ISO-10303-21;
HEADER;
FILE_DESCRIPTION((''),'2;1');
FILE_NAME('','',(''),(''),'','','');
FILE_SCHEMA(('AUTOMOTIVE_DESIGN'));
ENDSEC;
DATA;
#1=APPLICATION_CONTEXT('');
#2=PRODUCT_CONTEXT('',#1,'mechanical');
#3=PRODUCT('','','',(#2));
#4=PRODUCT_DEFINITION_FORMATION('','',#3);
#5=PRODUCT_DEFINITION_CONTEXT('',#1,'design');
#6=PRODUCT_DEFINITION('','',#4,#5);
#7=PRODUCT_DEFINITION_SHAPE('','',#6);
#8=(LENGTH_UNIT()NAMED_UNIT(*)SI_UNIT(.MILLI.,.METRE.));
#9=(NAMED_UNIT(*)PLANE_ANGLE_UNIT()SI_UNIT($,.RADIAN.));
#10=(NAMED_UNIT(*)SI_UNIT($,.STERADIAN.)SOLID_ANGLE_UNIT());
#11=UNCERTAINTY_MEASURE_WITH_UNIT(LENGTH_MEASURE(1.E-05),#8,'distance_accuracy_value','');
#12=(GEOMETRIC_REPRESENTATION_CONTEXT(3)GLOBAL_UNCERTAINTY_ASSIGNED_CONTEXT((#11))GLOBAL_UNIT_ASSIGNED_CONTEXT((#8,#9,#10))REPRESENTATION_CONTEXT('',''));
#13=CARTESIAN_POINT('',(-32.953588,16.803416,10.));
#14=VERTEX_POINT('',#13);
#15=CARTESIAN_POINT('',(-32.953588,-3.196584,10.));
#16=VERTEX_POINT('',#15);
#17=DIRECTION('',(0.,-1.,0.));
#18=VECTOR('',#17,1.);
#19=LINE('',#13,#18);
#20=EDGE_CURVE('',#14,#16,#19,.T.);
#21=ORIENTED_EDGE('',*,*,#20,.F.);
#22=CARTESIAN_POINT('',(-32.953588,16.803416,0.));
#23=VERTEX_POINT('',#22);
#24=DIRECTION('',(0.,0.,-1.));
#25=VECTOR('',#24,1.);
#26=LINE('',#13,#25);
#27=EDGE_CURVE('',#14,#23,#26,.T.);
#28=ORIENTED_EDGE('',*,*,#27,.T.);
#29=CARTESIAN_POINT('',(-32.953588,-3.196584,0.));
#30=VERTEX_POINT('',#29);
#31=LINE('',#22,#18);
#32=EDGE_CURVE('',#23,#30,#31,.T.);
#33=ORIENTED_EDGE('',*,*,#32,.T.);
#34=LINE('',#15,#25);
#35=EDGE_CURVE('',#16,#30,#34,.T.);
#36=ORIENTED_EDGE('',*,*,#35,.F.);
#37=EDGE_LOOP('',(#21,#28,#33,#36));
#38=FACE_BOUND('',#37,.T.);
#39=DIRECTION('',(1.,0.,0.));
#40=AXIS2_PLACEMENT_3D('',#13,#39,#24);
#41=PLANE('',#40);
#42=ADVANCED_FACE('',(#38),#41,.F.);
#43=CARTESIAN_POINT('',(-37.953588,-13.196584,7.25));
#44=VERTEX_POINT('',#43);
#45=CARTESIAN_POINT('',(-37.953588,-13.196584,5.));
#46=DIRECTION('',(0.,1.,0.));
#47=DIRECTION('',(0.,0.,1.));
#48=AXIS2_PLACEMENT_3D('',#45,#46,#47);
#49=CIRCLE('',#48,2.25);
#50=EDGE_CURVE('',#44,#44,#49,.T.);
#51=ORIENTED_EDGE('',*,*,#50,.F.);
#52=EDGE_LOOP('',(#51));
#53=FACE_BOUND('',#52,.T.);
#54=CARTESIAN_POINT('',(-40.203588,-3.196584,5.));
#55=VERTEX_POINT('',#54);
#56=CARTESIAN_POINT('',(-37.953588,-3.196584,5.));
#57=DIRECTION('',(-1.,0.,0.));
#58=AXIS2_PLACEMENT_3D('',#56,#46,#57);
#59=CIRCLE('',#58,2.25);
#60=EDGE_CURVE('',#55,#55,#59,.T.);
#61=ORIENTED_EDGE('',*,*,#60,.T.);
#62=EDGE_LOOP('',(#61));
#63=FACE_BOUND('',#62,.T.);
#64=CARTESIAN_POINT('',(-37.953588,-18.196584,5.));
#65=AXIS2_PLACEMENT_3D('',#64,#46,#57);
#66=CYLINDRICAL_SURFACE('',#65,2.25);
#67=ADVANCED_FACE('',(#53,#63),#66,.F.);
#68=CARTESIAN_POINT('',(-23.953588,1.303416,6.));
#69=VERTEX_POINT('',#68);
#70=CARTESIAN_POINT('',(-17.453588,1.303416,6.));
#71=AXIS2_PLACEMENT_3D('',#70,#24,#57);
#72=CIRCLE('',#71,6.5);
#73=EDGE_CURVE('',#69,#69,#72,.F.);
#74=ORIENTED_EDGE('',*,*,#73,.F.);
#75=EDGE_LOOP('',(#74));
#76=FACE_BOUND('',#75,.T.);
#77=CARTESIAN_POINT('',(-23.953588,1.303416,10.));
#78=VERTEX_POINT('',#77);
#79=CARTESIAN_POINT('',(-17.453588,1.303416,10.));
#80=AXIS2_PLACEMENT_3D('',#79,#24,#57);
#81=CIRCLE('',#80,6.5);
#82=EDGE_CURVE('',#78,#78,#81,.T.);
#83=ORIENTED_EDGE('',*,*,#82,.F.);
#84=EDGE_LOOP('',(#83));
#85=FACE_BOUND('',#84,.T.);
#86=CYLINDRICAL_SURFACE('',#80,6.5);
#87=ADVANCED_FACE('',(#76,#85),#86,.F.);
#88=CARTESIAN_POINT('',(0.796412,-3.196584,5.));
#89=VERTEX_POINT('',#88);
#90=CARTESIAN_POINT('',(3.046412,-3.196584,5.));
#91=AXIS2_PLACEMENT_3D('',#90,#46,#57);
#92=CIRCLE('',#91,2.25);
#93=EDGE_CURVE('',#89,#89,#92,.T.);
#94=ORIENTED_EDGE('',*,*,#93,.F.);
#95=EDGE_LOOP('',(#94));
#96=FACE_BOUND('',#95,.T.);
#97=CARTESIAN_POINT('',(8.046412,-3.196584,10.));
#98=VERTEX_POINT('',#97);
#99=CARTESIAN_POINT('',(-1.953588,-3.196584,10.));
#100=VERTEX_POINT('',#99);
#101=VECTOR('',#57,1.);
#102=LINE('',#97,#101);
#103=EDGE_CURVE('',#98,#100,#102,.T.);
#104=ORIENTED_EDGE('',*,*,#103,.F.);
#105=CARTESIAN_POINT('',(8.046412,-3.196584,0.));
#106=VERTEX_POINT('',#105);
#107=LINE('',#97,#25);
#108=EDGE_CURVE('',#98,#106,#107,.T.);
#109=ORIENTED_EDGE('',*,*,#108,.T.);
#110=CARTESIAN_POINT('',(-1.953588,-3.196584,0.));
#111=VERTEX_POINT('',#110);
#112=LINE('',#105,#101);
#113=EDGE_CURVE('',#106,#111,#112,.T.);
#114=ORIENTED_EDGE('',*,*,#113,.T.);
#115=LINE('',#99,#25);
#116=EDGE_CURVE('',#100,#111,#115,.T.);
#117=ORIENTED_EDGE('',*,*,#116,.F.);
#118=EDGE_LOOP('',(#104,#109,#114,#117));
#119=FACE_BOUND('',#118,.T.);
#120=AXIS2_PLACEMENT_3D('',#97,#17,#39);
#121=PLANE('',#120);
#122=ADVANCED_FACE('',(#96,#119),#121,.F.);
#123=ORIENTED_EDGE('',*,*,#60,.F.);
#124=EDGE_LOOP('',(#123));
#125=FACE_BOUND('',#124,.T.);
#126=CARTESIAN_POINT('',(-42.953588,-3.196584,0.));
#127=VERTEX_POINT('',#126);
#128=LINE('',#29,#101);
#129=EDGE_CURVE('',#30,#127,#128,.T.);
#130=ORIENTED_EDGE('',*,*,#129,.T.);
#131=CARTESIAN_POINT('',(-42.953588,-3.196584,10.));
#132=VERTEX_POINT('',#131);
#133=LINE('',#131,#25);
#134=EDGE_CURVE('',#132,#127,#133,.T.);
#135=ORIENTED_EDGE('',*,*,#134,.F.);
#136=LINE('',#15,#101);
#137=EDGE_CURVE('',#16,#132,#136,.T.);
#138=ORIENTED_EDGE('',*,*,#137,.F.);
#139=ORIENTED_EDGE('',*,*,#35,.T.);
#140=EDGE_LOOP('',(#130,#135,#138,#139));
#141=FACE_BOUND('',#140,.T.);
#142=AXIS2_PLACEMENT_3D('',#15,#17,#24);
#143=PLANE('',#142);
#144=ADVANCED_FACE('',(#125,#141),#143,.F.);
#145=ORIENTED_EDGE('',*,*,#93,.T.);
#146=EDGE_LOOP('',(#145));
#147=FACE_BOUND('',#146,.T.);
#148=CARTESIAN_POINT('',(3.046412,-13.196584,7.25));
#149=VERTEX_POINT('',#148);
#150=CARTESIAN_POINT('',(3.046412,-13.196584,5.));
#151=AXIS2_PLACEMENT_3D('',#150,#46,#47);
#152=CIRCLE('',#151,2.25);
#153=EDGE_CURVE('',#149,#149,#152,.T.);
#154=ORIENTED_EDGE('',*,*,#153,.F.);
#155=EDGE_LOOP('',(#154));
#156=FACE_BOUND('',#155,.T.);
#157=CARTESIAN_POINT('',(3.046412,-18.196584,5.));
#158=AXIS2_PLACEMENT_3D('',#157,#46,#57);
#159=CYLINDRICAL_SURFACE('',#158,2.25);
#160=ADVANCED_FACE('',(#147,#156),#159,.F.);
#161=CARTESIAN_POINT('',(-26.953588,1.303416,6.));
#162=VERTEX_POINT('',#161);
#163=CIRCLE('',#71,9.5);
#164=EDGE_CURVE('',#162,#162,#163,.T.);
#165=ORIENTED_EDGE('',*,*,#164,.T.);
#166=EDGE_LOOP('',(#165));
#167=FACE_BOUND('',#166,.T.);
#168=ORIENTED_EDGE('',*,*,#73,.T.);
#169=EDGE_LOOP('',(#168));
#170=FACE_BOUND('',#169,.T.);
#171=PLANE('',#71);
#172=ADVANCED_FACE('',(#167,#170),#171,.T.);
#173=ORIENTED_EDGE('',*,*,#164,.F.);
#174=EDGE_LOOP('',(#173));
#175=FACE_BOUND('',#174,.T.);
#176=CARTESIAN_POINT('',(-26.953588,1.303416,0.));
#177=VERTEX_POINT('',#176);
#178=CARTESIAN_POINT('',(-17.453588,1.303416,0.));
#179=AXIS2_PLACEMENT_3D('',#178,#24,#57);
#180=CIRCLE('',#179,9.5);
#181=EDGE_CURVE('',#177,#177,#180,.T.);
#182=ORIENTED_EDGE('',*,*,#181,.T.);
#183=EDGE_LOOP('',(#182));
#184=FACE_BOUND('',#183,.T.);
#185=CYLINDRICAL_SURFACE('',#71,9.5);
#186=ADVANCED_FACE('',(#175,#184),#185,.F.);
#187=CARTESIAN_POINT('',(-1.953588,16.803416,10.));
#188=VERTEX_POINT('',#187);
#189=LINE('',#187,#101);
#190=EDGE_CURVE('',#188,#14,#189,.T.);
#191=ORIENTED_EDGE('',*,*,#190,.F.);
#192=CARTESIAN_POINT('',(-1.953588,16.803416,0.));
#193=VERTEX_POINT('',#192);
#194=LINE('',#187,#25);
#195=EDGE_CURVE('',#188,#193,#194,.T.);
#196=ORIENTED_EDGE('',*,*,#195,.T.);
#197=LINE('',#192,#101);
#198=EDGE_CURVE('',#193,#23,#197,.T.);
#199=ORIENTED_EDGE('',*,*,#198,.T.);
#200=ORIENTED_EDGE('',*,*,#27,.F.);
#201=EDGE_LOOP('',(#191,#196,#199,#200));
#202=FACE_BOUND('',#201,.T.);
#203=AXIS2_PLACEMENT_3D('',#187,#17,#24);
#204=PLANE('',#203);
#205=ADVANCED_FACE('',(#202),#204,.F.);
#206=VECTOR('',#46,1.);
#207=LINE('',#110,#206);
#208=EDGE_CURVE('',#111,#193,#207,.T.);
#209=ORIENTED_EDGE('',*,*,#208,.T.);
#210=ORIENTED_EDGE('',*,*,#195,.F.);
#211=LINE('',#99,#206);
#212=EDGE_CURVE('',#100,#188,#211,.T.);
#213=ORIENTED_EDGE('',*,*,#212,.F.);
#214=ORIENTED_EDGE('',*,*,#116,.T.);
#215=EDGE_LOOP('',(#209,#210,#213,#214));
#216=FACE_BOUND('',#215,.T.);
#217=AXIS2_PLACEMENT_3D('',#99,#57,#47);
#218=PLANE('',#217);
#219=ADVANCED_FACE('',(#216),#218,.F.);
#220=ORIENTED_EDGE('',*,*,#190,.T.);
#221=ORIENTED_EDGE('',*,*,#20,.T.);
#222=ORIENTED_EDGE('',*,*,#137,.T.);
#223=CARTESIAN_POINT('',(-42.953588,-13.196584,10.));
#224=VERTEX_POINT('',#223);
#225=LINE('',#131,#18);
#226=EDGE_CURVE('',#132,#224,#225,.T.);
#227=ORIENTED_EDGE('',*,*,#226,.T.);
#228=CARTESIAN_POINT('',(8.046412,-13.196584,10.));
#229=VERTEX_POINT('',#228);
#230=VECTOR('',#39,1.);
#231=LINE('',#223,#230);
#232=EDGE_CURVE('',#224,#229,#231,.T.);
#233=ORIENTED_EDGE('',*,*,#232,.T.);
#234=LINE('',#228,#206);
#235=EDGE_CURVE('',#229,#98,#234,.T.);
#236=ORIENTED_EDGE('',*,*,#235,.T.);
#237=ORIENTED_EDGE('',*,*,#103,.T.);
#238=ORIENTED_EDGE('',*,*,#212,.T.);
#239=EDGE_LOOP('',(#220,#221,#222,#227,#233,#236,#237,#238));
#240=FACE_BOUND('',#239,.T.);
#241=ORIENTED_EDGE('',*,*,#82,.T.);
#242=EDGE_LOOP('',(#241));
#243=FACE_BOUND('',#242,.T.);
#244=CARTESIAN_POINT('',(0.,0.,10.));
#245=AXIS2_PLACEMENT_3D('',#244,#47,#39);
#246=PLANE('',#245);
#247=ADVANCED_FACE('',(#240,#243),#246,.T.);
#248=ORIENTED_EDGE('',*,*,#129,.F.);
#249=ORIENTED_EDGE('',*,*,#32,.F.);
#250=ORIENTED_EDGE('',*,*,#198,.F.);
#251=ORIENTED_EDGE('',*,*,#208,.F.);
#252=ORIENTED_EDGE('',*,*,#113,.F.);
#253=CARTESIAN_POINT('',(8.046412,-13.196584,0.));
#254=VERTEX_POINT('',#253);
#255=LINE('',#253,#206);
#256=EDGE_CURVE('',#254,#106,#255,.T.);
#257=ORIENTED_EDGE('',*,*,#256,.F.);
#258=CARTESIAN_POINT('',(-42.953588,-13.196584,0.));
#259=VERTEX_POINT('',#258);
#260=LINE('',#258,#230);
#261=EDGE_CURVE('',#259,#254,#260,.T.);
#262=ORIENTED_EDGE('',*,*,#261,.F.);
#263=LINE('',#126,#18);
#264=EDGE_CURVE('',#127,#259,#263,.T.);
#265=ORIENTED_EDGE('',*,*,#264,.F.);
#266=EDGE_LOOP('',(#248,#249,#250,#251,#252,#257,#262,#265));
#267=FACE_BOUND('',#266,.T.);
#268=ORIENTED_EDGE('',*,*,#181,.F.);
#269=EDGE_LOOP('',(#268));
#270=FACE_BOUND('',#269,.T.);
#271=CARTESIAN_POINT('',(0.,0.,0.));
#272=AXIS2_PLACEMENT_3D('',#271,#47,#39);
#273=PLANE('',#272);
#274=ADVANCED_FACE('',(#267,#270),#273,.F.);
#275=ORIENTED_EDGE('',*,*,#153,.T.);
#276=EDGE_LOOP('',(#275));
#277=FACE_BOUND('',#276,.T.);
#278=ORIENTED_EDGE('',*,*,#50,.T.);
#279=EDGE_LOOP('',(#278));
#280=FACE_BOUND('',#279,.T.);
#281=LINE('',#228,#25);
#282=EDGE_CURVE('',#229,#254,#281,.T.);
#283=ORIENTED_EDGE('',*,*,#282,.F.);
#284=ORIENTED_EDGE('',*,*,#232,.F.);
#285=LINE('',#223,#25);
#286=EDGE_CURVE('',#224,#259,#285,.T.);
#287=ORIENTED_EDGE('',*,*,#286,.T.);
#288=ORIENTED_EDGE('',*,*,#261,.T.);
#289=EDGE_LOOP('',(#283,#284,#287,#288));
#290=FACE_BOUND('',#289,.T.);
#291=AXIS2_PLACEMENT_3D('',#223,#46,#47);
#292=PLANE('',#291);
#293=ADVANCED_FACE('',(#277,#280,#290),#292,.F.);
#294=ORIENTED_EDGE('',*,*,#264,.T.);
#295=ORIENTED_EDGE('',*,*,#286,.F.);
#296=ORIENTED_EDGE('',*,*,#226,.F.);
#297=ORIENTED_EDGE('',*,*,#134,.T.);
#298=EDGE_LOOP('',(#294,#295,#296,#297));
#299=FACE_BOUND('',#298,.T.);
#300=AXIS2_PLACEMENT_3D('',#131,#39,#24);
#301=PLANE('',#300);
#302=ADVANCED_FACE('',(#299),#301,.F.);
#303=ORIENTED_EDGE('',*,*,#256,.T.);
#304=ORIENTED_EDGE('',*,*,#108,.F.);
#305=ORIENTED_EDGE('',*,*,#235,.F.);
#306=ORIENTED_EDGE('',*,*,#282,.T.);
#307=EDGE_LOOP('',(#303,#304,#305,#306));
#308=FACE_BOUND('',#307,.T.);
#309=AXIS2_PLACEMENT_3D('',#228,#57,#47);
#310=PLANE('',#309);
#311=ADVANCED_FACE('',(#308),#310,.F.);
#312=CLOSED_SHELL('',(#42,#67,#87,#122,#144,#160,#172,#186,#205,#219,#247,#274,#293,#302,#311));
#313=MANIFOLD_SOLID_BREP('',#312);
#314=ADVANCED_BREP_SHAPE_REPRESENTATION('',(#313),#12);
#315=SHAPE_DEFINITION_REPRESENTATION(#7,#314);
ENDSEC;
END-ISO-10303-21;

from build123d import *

# Parameters (mm, degrees)
BOSS_EXTRUDE1_DEPTH = 10
SKETCH5_R           = 6.5
CUT_EXTRUDE1_DEPTH  = 10
SKETCH7_R           = 9.5
CUT_EXTRUDE2_DEPTH  = 6
SKETCH8_R           = 2.25
CUT_EXTRUDE3_DEPTH  = 15


with BuildPart() as part:
    # Sketch1 → Boss-Extrude1 (new body)
    with BuildSketch(Plane.XY):
        Polygon((-42.953588015, -13.19658427), (8.046411985, -13.19658427), (8.046411985, -3.19658427), (-1.953588015, -3.19658427), (-1.953588015, 16.80341573), (-32.953588015, 16.80341573), (-32.953588015, -3.19658427), (-42.953588015, -3.19658427), align=None)
    extrude(amount=BOSS_EXTRUDE1_DEPTH)

    # Sketch5 → Cut-Extrude1 (cut)
    with BuildSketch(Plane(origin=(0, 0, 0), x_dir=(-1, 0, 0), z_dir=(0, 0, -1))):
        with Locations((17.453588015, 1.30341573)):
            Circle(SKETCH5_R)
    extrude(amount=-CUT_EXTRUDE1_DEPTH, mode=Mode.SUBTRACT)

    # Sketch7 → Cut-Extrude2 (cut)
    with BuildSketch(Plane(origin=(0, 0, 0), x_dir=(-1, 0, 0), z_dir=(0, 0, -1))):
        with Locations((17.453588015, 1.30341573)):
            Circle(SKETCH7_R)
    extrude(amount=-CUT_EXTRUDE2_DEPTH, mode=Mode.SUBTRACT)

    # Sketch8 → Cut-Extrude3 (cut)
    with BuildSketch(Plane(origin=(0, -3.19658427, 0), x_dir=(1, 0, 0), z_dir=(0, 1, 0))):
        with Locations(Location((3.046411985, -5, 0), (0, 0, 180))):
            Circle(SKETCH8_R)
        with Locations(Location((-37.953588015, -5, 0), (0, 0, 180))):
            Circle(SKETCH8_R)
    extrude(amount=-CUT_EXTRUDE3_DEPTH, mode=Mode.SUBTRACT)


solid = part.part
